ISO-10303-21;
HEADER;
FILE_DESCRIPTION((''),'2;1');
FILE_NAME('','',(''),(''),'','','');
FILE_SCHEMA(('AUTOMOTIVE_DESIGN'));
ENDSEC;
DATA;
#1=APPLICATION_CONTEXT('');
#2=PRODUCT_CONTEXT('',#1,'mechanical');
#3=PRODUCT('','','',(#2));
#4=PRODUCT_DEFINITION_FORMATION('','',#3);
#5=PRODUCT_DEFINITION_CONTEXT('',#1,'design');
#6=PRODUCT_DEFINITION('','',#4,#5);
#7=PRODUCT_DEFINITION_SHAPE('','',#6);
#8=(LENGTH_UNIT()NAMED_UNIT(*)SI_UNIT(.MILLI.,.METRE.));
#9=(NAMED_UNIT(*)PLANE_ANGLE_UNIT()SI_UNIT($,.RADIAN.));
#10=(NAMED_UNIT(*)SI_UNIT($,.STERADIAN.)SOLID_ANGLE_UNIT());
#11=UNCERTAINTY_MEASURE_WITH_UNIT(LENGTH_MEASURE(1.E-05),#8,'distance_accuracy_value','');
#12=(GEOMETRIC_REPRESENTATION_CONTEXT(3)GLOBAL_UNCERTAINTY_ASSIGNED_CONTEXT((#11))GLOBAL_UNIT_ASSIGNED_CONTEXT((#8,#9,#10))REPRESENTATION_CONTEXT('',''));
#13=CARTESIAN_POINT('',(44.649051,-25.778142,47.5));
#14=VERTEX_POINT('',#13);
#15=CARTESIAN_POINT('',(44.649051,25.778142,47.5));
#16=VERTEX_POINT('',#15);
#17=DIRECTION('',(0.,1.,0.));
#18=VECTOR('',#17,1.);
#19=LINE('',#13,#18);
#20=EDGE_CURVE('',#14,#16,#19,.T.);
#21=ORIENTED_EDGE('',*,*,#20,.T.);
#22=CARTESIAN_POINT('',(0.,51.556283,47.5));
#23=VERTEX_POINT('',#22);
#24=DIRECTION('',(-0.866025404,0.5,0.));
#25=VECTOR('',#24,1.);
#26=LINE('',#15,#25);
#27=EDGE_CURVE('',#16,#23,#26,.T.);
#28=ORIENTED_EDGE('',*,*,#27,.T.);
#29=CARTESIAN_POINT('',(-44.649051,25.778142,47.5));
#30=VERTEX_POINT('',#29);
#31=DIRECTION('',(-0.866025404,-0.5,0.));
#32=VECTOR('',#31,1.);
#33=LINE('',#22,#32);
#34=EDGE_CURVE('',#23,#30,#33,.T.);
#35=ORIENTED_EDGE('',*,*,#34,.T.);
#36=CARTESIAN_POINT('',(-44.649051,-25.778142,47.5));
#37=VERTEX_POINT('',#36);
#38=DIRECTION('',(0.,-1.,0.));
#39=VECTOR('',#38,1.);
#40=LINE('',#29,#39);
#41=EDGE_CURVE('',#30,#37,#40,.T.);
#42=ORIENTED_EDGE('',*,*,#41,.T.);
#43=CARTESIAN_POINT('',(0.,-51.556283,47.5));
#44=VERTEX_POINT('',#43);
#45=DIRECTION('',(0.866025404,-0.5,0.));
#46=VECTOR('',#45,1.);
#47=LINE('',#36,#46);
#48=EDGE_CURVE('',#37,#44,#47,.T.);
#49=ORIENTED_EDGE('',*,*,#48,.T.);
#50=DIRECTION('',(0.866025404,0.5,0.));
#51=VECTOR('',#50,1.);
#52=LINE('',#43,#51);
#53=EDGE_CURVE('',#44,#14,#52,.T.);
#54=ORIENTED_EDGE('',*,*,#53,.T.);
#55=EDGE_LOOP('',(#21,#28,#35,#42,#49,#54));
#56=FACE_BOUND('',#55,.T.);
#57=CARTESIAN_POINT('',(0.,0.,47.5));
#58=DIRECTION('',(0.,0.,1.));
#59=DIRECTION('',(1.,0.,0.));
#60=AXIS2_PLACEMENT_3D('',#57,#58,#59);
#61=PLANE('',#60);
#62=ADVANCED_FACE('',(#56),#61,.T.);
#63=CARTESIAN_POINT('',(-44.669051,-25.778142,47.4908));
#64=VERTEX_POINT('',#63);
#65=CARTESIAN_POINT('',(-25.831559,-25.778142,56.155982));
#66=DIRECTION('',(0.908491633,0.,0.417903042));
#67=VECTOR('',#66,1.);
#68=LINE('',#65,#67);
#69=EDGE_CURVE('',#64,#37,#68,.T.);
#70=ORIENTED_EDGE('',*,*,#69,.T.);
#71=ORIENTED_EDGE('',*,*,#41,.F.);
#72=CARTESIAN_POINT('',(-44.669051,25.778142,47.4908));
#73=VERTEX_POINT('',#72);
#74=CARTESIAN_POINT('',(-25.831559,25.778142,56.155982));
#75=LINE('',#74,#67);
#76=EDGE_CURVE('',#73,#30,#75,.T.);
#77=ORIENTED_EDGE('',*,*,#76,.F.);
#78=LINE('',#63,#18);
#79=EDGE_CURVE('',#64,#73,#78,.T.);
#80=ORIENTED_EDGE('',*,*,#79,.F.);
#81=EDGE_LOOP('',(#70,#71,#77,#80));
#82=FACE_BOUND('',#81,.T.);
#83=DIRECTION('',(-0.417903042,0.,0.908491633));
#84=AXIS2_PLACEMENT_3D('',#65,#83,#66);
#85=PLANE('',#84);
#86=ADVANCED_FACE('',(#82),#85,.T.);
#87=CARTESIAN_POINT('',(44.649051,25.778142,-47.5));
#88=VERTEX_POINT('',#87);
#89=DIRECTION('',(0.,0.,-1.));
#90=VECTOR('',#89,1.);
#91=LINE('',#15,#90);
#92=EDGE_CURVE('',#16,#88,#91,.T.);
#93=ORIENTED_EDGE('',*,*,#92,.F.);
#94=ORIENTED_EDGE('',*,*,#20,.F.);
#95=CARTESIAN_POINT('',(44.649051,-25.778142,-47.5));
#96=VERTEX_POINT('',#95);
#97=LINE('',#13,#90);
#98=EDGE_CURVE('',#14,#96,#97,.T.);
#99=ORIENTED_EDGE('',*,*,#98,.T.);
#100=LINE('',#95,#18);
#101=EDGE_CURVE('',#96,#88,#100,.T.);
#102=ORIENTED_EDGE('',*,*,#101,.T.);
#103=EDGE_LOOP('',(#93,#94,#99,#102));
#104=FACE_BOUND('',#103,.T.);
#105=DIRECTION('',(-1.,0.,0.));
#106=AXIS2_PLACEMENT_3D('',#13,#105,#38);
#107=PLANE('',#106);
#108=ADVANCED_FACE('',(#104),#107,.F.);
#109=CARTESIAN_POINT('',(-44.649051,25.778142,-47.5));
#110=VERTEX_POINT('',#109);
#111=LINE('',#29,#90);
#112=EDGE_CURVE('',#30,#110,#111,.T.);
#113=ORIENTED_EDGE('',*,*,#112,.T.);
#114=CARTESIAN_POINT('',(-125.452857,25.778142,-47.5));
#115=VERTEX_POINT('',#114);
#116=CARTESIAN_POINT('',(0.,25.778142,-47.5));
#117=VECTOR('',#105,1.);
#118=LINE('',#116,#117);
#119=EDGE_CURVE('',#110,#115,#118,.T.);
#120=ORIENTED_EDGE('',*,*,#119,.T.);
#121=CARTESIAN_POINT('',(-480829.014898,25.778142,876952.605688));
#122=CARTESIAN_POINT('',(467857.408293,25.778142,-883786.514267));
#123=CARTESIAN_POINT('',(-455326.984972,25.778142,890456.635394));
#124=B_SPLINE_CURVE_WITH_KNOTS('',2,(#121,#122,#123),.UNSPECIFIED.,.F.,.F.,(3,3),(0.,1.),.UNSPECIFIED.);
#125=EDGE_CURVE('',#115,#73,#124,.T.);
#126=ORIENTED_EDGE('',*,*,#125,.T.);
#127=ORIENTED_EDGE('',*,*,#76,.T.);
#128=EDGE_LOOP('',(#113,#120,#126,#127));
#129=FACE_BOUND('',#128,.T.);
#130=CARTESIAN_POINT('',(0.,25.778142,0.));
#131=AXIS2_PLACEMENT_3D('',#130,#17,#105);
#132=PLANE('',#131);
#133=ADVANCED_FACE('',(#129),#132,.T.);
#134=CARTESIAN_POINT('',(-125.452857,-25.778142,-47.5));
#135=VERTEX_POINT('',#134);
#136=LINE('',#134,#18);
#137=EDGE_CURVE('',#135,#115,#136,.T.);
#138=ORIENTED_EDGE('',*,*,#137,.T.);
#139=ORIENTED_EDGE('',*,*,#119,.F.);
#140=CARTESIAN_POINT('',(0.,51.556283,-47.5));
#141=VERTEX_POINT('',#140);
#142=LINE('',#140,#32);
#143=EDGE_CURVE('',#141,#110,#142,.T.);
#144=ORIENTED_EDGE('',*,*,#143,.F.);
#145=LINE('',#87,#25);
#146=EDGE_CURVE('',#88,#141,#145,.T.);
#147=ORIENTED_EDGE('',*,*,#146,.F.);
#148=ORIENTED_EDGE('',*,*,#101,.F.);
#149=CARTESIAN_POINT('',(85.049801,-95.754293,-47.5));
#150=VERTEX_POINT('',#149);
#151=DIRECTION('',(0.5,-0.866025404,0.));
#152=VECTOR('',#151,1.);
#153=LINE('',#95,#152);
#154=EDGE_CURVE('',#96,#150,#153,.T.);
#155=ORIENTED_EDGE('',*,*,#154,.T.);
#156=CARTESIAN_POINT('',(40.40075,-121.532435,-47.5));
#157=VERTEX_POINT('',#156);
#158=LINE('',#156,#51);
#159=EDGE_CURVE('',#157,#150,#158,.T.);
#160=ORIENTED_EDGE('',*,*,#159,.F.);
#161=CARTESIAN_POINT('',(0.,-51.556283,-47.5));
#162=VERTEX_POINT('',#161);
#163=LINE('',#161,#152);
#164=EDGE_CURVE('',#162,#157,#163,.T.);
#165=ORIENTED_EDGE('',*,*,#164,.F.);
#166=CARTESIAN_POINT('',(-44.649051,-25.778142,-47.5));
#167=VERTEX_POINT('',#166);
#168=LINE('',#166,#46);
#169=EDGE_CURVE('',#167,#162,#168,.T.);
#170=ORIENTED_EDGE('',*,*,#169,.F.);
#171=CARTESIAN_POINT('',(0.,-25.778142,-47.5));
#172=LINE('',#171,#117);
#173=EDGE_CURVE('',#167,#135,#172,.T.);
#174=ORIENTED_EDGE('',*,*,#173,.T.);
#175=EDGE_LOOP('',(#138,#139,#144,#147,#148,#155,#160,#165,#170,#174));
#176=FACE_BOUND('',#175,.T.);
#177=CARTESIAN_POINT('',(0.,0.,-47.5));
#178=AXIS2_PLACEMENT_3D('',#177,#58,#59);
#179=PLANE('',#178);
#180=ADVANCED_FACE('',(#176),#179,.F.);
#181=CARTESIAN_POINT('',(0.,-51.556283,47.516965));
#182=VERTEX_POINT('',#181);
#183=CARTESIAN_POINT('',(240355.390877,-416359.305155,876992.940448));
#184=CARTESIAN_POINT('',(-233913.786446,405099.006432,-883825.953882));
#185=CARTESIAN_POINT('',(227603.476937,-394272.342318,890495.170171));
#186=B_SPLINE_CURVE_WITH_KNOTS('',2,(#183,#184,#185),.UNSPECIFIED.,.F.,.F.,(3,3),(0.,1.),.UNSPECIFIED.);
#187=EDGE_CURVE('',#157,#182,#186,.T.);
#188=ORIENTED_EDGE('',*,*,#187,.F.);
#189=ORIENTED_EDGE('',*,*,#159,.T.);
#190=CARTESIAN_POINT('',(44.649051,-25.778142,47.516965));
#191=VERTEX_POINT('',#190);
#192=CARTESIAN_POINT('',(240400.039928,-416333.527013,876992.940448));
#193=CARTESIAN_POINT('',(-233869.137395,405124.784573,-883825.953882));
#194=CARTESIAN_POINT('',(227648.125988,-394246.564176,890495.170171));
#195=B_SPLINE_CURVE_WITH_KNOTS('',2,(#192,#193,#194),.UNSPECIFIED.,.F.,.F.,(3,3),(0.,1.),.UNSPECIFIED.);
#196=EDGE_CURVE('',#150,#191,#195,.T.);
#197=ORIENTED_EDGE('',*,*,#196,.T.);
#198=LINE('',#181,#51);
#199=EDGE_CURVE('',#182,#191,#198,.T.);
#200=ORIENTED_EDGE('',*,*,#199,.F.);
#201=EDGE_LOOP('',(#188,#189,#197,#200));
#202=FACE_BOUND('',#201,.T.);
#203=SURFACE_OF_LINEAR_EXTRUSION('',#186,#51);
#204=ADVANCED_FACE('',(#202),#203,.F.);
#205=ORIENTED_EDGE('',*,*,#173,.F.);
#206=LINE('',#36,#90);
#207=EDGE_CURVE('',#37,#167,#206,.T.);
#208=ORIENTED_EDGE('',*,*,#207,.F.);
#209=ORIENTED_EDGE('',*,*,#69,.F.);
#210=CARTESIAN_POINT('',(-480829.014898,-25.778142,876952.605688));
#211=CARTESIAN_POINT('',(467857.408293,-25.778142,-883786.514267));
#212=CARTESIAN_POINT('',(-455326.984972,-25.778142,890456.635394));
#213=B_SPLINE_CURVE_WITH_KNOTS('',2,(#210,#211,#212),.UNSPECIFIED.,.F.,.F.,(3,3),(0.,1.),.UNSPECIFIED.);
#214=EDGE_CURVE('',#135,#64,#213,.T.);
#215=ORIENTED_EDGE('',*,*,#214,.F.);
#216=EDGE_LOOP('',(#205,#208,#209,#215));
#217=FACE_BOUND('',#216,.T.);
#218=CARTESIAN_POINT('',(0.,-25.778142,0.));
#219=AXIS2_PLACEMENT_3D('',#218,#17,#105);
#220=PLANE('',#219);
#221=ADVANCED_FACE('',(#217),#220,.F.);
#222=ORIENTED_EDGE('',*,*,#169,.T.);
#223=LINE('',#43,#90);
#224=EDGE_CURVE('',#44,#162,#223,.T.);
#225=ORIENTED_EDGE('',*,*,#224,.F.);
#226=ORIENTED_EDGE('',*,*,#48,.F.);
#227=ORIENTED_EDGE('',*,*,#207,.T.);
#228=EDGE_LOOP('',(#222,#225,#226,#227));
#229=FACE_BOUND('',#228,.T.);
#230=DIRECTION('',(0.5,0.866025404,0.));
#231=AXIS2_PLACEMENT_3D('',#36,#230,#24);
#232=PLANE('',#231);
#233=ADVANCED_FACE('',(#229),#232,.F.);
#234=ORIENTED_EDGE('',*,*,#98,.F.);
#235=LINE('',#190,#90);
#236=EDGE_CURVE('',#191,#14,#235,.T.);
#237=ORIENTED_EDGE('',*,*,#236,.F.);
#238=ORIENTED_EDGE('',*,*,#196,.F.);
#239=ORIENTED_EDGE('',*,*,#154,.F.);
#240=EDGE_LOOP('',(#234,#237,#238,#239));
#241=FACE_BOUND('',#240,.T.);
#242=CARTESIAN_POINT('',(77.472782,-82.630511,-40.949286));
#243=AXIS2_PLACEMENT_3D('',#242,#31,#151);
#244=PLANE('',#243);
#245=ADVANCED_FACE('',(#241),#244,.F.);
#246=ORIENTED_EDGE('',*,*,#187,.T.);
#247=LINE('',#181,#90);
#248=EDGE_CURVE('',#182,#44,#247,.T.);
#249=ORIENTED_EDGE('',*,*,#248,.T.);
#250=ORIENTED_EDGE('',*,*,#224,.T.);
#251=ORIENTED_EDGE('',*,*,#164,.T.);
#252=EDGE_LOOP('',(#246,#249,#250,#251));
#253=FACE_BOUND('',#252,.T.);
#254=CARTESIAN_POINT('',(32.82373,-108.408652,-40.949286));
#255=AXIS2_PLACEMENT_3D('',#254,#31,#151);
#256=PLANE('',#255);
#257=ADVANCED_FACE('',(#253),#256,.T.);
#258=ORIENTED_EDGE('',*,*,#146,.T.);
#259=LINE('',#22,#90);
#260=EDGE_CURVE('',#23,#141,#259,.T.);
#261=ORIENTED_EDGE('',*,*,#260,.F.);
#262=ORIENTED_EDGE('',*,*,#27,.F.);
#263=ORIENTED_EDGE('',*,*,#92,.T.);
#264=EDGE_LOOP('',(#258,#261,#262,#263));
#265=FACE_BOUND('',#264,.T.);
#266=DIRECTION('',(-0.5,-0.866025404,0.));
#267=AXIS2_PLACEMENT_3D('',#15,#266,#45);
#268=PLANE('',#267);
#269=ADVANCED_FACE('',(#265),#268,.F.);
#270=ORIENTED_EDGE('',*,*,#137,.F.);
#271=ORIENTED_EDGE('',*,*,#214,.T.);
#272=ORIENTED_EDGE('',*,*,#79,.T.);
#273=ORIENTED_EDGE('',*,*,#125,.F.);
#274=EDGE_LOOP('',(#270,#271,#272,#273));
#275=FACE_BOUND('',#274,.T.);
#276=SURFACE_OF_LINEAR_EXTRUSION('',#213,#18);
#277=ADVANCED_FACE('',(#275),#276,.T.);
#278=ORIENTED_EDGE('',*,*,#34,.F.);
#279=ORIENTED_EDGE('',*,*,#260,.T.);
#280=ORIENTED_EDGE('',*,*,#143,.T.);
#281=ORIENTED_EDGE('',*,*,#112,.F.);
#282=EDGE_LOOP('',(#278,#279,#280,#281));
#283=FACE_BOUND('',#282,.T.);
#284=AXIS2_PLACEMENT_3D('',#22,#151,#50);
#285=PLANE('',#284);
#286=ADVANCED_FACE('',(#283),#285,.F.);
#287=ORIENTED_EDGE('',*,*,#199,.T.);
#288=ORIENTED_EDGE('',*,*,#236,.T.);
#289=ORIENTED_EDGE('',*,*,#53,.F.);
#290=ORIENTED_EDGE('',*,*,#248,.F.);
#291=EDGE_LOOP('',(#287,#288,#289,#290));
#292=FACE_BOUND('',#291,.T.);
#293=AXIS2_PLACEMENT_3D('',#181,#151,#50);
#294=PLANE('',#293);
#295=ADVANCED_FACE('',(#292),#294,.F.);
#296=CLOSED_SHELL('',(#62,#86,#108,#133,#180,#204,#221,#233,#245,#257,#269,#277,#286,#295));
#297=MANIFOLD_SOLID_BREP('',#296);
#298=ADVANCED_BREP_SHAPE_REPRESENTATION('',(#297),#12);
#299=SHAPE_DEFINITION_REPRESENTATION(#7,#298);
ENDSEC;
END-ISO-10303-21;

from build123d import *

# Parameters (mm, degrees)
SALIENTE_EXTRUIR1_DEPTH = 47.5
SALIENTE_EXTRUIR2_DEPTH = 51.556282
SALIENTE_EXTRUIR3_DEPTH = 51.556282


with BuildPart() as part:
    # Croquis1 → Saliente-Extruir1 (new, symmetric)
    with BuildSketch(Plane.XY):
        Polygon((44.649051179, 25.778141718), (0, 51.556283435), (-44.649051179, 25.778141718), (-44.649051179, -25.778141718), (0, -51.556283435), (44.649051179, -25.778141718), align=None)
    extrude(amount=SALIENTE_EXTRUIR1_DEPTH, both=True)

    # Croquis6 → Saliente-Extruir2 (add)
    with BuildSketch(Plane(origin=(22.32452559, 12.889070859, 0), x_dir=(0, 0, -1), z_dir=(-0.8660254037844388, -0.49999999999999983, 0))):
        with BuildLine():
            Line((-47.516964524, 44.649051179), (47.5, 44.649051179))
            Line((47.5, 44.649051179), (47.5, 125.450551246))
            add(Edge.make_bspline(
                [(47.5, 125.450551246), (28.48813233, 69.96313115), (-47.516964524, 44.649051179)],
                knots=[0, 0, 0, 1, 1, 1], degree=2))
        make_face()
    extrude(amount=SALIENTE_EXTRUIR2_DEPTH)

    # Croquis8 → Saliente-Extruir3 (add)
    with BuildSketch(Plane(origin=(0, 25.778141718, 0), x_dir=(0, 0, -1), z_dir=(0, 1, 0))):
        with BuildLine():
            Line((47.5, 44.649051179), (47.5, 125.452857029))
            add(Edge.make_bspline(
                [(47.5, 125.452857029), (28.489618358, 69.977349558), (-47.490800068, 44.66905118)],
                knots=[0, 0, 0, 1, 1, 1], degree=2))
            Line((-47.490800068, 44.66905118), (-47.5, 44.649051179))
            Line((-47.5, 44.649051179), (47.5, 44.649051179))
        make_face()
    extrude(amount=-SALIENTE_EXTRUIR3_DEPTH)


solid = part.part
